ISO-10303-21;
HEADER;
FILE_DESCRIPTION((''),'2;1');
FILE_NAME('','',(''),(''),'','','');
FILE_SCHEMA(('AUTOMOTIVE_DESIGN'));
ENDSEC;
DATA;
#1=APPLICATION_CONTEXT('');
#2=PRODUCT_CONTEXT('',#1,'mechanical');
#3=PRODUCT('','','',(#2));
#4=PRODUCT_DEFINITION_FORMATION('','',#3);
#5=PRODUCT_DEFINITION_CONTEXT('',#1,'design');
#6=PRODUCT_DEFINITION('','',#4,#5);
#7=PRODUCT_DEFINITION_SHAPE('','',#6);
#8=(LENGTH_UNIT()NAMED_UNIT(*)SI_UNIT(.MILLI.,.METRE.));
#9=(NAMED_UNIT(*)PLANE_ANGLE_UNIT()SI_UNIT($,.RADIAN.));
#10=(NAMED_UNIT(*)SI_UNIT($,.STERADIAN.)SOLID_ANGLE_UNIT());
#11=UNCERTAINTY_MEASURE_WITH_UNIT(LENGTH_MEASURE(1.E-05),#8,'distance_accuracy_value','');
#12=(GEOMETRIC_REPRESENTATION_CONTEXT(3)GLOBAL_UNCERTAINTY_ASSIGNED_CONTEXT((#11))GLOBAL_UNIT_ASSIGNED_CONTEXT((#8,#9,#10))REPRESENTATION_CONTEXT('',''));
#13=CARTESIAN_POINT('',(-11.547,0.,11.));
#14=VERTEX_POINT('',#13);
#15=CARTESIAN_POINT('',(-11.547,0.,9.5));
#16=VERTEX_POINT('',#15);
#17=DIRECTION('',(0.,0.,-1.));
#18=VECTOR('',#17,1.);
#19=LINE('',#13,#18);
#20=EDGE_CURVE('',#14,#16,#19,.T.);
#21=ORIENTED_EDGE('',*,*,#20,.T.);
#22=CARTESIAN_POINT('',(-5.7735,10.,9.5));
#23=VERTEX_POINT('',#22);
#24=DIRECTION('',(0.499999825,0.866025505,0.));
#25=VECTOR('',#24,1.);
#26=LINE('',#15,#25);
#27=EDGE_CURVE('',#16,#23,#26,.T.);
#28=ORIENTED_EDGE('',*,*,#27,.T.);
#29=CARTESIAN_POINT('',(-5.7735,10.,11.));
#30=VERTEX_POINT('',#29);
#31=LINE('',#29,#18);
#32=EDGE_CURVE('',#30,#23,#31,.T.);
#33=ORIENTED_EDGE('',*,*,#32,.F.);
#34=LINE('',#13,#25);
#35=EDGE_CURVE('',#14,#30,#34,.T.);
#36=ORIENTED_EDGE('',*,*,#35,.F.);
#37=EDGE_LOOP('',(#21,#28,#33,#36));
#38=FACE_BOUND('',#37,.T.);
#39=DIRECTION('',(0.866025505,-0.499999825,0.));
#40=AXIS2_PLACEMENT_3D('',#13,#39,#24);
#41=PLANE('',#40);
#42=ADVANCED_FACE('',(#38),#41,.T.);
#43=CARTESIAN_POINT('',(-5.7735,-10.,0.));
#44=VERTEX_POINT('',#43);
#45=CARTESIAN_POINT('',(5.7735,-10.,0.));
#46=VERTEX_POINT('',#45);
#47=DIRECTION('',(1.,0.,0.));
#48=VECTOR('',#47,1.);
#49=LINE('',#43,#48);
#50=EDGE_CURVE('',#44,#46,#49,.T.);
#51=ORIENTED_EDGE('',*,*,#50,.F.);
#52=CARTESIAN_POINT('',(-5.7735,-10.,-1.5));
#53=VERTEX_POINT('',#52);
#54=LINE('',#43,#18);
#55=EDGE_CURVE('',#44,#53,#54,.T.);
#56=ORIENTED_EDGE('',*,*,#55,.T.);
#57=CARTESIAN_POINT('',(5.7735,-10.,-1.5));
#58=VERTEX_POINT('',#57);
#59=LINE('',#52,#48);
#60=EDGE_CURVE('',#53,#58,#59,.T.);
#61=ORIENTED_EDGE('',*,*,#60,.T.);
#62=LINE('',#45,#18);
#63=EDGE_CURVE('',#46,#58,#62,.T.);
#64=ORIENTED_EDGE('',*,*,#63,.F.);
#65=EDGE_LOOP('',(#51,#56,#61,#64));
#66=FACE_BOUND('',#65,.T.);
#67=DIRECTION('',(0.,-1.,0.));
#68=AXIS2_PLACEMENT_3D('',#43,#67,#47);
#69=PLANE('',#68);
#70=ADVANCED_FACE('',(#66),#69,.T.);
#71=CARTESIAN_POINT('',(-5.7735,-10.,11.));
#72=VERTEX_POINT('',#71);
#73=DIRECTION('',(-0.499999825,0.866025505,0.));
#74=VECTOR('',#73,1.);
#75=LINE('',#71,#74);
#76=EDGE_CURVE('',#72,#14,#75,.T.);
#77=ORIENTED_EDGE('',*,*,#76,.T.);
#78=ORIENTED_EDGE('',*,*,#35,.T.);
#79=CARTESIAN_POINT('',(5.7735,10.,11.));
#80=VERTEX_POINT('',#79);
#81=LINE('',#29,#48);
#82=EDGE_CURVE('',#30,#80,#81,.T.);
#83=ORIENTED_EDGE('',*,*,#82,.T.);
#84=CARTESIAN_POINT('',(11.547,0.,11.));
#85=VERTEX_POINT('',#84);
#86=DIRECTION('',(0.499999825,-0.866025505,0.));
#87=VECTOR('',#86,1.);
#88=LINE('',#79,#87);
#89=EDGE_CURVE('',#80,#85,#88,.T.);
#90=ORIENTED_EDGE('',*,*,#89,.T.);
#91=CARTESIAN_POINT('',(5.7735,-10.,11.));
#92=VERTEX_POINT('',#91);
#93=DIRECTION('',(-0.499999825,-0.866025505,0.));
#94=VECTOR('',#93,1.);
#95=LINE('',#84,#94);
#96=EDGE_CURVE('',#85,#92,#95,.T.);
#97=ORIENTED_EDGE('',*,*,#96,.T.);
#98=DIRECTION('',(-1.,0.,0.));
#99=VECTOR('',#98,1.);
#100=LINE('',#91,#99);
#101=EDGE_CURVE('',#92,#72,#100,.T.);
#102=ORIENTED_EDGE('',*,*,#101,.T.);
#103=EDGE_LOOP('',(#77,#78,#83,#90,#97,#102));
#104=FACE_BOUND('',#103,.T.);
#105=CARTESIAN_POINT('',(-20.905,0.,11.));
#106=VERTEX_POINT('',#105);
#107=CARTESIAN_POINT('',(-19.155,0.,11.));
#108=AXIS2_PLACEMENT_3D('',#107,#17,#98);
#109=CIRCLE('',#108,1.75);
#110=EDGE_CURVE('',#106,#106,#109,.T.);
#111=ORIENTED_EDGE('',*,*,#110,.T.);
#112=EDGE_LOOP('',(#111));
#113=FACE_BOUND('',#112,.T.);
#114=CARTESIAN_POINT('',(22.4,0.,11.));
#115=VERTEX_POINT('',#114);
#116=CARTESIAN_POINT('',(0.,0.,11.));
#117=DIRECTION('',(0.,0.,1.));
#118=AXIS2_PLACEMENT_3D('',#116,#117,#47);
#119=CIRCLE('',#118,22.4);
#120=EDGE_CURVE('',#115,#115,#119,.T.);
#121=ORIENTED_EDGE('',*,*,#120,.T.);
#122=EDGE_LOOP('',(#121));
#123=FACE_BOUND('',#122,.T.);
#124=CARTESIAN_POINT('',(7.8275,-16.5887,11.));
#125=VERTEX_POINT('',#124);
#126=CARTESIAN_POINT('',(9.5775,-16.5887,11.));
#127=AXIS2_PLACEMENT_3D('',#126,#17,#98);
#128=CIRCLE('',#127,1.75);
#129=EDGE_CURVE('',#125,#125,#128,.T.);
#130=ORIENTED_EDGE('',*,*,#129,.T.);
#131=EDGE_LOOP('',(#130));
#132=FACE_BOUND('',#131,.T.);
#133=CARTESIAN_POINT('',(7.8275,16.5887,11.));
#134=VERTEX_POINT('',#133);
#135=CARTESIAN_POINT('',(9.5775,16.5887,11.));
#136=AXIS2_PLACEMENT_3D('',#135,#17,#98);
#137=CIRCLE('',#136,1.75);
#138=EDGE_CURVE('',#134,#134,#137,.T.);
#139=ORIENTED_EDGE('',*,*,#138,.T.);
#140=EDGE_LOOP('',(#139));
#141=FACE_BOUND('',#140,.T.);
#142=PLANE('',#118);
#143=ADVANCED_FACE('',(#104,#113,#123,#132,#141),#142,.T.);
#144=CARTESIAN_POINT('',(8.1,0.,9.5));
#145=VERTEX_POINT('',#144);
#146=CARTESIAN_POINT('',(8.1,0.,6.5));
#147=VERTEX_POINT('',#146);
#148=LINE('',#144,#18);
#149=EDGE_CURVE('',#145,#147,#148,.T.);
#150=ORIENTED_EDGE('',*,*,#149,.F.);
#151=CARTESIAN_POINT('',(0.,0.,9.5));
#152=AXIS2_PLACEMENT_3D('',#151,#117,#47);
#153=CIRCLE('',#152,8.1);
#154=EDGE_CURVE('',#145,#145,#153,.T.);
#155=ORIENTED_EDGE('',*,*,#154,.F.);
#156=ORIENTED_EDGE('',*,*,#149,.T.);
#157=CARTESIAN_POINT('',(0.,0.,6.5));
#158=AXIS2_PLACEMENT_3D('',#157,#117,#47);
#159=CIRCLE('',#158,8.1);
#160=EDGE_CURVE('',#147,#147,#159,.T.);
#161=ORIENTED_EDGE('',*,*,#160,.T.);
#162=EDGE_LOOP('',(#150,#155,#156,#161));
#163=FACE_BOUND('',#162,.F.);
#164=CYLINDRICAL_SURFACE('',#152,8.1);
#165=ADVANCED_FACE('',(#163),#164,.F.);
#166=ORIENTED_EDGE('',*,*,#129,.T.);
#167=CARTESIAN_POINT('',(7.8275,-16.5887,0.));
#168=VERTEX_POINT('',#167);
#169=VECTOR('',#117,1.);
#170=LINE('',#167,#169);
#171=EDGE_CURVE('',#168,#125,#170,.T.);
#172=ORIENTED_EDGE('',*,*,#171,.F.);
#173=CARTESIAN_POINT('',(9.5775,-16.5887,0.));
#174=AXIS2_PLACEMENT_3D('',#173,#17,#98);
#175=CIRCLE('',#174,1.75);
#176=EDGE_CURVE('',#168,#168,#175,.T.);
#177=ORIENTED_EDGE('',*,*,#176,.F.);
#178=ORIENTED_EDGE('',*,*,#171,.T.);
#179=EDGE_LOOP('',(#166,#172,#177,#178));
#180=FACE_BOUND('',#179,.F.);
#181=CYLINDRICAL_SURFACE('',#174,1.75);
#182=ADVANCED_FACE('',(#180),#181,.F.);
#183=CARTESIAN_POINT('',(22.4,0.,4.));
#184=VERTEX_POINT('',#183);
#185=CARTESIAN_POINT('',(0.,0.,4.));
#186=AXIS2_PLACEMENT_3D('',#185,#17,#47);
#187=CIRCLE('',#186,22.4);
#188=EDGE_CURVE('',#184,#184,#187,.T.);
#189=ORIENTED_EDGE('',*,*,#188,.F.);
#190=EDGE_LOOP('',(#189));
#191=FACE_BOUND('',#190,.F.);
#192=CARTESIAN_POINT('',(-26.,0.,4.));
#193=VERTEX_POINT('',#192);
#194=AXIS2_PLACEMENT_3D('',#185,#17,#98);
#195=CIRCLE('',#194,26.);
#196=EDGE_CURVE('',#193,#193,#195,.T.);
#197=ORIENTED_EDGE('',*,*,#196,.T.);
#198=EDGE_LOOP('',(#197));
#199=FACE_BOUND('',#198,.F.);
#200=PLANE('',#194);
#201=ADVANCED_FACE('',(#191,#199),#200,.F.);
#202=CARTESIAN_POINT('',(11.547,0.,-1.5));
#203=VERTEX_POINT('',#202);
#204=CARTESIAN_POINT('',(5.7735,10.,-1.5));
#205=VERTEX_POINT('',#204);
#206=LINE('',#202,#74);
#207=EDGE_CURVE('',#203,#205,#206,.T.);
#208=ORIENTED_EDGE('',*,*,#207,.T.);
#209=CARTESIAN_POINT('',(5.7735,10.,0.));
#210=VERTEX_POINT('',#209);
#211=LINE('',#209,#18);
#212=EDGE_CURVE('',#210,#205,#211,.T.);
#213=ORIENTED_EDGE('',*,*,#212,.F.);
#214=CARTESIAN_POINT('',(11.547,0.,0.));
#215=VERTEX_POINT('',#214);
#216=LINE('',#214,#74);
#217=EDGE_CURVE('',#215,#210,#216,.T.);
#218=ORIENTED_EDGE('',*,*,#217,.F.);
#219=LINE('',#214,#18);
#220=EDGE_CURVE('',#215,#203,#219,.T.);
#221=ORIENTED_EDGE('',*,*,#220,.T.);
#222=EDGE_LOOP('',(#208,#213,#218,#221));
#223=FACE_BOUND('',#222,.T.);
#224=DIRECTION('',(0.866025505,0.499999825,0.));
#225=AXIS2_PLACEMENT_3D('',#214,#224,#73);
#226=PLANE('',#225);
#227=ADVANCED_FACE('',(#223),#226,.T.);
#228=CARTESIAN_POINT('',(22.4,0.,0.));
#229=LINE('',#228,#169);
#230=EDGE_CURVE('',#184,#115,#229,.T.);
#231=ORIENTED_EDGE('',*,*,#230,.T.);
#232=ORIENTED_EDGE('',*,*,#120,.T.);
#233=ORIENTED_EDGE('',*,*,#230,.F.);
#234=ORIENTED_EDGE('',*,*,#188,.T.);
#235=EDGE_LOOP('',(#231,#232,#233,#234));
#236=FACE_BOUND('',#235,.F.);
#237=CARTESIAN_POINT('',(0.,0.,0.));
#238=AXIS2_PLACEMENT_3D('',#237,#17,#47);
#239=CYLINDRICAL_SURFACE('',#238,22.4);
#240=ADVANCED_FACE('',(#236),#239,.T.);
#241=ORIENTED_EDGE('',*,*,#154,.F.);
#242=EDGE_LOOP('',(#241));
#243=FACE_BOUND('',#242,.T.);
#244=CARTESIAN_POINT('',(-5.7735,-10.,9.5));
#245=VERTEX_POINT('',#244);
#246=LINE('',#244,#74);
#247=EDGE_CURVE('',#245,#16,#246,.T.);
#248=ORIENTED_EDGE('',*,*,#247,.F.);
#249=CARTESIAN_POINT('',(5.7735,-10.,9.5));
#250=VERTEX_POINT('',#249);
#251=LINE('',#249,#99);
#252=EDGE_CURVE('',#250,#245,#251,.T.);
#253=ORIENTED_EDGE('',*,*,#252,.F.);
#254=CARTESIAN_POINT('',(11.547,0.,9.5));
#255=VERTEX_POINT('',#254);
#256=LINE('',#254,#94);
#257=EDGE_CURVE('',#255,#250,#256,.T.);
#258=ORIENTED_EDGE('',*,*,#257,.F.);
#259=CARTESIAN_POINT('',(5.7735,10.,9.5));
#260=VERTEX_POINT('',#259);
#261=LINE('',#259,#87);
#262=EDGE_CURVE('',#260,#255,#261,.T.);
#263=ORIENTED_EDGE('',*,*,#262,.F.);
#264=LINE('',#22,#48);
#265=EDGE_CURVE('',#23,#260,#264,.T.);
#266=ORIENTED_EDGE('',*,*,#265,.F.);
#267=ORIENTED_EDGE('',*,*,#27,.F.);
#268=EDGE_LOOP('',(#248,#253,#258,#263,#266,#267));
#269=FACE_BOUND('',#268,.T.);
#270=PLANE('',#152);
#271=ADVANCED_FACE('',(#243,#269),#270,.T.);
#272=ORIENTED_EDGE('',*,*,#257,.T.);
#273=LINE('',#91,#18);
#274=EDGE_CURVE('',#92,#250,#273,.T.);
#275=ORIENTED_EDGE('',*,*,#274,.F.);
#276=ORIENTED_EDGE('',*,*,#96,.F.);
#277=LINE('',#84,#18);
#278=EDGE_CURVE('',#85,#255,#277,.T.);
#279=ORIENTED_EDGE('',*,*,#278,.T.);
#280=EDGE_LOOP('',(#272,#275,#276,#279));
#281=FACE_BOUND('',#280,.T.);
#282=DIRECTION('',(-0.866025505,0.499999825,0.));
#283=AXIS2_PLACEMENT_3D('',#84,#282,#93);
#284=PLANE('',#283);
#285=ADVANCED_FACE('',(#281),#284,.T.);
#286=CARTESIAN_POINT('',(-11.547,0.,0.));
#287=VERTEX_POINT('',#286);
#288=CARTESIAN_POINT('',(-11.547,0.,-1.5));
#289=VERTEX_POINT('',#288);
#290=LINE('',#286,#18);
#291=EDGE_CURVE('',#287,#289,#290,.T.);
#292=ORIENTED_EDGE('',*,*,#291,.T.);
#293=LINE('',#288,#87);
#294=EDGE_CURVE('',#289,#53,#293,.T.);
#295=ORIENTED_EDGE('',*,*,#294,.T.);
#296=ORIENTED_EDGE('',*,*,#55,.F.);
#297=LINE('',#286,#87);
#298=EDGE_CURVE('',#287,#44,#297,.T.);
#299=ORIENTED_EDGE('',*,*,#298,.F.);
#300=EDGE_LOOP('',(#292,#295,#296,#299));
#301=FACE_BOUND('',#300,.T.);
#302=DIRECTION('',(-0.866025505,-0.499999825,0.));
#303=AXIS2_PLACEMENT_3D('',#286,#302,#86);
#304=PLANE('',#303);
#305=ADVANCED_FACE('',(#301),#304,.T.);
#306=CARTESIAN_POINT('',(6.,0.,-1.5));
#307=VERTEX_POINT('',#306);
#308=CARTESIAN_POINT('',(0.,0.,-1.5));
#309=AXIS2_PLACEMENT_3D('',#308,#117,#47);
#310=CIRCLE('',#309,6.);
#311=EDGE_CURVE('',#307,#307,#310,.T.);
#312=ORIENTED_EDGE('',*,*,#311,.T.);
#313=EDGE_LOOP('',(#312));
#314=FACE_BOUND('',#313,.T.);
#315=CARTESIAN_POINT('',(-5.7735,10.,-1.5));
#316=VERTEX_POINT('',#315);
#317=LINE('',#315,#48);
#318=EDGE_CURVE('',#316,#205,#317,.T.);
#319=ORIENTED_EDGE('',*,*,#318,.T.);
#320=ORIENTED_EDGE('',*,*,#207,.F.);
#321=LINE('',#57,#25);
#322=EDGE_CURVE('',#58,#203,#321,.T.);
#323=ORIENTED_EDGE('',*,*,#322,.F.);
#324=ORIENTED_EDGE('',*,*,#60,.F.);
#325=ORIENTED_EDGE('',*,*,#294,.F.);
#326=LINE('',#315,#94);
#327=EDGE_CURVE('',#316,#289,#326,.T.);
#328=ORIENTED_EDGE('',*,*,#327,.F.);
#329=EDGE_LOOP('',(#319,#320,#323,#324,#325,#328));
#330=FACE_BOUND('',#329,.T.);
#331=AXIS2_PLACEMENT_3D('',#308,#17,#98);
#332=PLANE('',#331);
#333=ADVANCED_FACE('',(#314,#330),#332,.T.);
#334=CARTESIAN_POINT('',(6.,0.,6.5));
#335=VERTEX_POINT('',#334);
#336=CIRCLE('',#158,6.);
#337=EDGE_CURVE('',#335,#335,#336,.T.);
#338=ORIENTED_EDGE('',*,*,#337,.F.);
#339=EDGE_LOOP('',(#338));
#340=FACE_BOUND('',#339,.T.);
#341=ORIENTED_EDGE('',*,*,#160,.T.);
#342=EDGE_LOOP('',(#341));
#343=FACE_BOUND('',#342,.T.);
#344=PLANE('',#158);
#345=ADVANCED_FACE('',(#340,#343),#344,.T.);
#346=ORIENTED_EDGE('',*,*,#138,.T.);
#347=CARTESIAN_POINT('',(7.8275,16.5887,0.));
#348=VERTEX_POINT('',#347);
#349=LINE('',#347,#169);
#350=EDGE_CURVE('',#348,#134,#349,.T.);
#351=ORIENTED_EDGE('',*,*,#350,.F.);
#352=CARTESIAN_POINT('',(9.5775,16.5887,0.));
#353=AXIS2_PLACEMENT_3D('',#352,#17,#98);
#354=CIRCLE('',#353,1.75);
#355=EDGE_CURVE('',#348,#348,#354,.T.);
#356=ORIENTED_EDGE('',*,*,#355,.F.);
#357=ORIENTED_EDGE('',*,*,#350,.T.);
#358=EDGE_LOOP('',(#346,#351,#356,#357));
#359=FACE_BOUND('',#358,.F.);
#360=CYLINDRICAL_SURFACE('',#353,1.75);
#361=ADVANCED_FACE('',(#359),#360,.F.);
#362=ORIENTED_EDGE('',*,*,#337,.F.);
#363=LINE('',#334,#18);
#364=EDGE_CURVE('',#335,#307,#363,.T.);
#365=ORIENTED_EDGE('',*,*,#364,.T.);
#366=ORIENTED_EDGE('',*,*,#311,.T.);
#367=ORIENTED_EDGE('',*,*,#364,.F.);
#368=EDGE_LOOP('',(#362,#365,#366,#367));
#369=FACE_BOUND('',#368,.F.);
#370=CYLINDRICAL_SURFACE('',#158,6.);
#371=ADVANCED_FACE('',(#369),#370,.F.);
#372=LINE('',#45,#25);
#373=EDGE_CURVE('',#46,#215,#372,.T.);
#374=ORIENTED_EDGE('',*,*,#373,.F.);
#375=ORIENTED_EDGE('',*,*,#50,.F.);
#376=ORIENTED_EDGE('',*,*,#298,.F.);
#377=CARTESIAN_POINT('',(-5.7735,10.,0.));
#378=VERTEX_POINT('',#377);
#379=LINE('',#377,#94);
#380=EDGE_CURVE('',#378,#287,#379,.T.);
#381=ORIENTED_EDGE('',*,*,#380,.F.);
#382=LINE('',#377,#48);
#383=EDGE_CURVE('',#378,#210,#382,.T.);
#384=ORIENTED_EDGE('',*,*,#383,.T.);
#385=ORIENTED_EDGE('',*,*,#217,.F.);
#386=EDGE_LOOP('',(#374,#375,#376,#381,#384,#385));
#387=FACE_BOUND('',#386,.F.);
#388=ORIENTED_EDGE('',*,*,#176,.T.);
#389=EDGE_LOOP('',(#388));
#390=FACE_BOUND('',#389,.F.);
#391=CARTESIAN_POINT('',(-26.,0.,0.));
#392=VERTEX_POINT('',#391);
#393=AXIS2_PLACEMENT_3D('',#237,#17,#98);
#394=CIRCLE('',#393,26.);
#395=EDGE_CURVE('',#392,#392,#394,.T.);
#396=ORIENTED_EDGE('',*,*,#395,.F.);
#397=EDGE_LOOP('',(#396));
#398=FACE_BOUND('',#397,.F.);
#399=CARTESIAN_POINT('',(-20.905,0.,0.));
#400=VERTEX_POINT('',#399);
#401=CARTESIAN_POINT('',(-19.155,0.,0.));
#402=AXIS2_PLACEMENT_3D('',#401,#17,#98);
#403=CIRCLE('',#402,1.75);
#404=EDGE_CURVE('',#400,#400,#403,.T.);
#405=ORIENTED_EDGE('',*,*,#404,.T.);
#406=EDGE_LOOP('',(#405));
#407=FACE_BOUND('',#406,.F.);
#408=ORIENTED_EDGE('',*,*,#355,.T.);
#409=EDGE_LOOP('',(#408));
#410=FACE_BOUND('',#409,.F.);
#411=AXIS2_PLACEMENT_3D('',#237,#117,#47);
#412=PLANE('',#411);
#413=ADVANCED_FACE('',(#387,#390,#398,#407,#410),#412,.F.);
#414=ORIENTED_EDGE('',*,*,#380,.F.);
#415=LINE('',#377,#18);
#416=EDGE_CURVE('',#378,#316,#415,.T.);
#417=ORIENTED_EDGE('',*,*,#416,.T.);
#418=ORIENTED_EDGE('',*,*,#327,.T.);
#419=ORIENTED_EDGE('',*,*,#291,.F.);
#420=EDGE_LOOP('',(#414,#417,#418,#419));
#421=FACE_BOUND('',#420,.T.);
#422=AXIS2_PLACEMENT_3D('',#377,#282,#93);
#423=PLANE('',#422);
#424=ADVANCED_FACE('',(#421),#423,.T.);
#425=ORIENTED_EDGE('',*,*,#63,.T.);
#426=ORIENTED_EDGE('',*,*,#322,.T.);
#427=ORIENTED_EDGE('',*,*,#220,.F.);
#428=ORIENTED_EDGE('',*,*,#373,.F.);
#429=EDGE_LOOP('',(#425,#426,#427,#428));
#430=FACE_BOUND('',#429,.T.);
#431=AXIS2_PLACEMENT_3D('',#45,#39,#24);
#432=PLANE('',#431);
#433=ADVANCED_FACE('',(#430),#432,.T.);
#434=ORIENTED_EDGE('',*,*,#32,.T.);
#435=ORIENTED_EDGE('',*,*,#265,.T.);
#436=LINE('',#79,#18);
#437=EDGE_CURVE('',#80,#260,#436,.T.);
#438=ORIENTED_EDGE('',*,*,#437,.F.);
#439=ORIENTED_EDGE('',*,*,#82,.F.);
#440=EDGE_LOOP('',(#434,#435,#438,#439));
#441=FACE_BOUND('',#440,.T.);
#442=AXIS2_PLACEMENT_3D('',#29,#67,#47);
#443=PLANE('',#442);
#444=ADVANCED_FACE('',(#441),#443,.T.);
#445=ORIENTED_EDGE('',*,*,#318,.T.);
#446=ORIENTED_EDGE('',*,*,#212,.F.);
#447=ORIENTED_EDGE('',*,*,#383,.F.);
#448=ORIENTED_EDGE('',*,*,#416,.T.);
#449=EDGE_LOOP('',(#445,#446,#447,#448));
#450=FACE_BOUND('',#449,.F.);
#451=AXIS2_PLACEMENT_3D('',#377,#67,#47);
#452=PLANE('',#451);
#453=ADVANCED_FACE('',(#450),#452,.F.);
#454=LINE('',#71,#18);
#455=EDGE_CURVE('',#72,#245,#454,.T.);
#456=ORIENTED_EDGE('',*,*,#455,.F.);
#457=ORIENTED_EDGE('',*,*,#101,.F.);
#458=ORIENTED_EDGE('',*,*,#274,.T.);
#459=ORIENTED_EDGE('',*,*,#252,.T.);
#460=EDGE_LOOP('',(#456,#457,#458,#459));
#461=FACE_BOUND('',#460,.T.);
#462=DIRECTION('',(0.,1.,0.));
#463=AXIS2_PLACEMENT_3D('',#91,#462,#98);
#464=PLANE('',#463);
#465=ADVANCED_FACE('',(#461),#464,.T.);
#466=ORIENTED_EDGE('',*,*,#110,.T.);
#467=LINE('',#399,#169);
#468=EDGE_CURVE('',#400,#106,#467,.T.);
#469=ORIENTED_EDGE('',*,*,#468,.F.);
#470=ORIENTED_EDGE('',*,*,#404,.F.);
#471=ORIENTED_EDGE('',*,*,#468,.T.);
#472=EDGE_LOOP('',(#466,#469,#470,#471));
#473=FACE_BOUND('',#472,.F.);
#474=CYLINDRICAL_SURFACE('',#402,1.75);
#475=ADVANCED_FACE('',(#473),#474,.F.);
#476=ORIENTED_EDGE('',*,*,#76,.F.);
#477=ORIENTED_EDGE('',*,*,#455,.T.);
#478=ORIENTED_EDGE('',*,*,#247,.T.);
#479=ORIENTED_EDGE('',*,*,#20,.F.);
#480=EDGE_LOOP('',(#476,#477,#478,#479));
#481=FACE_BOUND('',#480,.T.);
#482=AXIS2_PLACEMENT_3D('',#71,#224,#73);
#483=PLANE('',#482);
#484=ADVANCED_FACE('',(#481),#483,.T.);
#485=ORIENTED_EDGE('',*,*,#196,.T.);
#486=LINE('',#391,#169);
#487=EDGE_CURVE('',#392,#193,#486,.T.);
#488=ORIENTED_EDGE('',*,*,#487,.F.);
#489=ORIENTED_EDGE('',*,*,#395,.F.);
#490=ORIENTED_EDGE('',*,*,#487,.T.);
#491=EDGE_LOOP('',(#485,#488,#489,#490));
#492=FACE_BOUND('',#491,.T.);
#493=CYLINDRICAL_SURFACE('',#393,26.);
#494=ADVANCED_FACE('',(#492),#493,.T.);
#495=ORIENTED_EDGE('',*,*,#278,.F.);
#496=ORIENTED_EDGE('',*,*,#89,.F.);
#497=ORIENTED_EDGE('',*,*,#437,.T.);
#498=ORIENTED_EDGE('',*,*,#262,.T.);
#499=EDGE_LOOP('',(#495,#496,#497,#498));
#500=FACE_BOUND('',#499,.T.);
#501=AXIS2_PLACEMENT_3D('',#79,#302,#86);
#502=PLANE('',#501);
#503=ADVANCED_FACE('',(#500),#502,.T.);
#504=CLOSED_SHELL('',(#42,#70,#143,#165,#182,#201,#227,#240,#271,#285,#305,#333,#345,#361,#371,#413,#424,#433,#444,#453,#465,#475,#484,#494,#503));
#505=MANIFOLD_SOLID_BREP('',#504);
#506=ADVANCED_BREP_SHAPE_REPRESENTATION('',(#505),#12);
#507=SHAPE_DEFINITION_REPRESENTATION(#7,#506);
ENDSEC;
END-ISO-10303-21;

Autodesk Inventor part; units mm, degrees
ref_plane "YZ Plane" through (0, 0, 0) normal (1, 0, 0) x (0, 1, 0)
ref_plane "XZ Plane" through (0, 0, 0) normal (0, 1, 0) x (-1, 0, 0)
sketch "Sketch1" plane through (0, 0, 0) normal (0, 0, 1) x (1, 0, 0)
  circle A0 centre (0, 0) radius 22.4
  dimension "d0" = 44.8
extrude "Extrusion1" add sketch "Sketch1" along normal blind 11
sketch "Sketch8" plane through (0, 0, 0) normal (0, 0, -1) x (-1, 0, 0)
  circle A0 centre (0, 0) radius 26
  dimension "d23" = 52
extrude "Extrusion7" add sketch "Sketch8" against normal blind 4
sketch "Sketch2" plane through (0, 0, 0) normal (0, 0, -1) x (-1, 0, 0)
  circle A0 centre (19.155, 0) radius 1.75
  circle A1 centre (-9.5775, 16.5887) radius 1.75
  circle A2 centre (-9.5775, -16.5887) radius 1.75
  point P0 (0, 0)
  dimension "d3" = 3.5
  dimension "d4" = 19.155
  dimension "d7" = 360
extrude "Extrusion2" cut sketch "Sketch2" against normal through all
sketch "Sketch3" plane through (0, 0, 11) normal (0, 0, 1) x (1, 0, 0)
  circle A0 centre (0, 0) radius 6
  dimension "d11" = 12
extrude "Extrusion3" cut sketch "Sketch3" against normal blind 2
sketch "Sketch4" plane through (0, 0, 11) normal (0, 0, 1) x (1, 0, 0)
  circle A0 centre (0, 0) radius 6 projected
  line L0 (11.547, 0) -> (5.7735, -10)
  line L1 (5.7735, -10) -> (-5.7735, -10)
  line L2 (-5.7735, -10) -> (-11.547, 0)
  line L3 (-11.547, 0) -> (-5.7735, 10)
  line L4 (-5.7735, 10) -> (5.7735, 10)
  line L5 (5.7735, 10) -> (11.547, 0)
  circle A1 centre (0, 0) radius 6
  dimension "d14" = 10
extrude "Extrusion4" cut sketch "Sketch4" against normal blind 1.5
sketch "Sketch5" plane through (0, 0, 0) normal (0, 0, -1) x (-1, 0, 0)
  line L0 (5.7735, 10) -> (-5.7735, 10) projected
  line L1 (-5.7735, 10) -> (5.7735, 10)
  line L2 (5.7735, 10) -> (11.547, 0)
  line L3 (11.547, 0) -> (5.7735, -10)
  line L4 (5.7735, -10) -> (-5.7735, -10)
  line L5 (-5.7735, -10) -> (-11.547, 0)
  line L6 (-11.547, 0) -> (-5.7735, 10)
  point P0 (0, 0)
  point P1 (0, 0)
extrude "Extrusion5" add sketch "Sketch5" along normal blind 1.5
ref_plane "Work Plane1" through (0, 0, 4.5) normal (0, 0, 1) x (1, 0, 0)
sketch "Sketch6" plane through (0, 0, 4.5) normal (0, 0, 1) x (1, 0, 0)
  circle A0 centre (0, 0) radius 22.6071
  circle A1 centre (0, 0) radius 21.1
  dimension "d20" = 42.2
extrude "Extrusion6" [suppressed]
sketch "Sketch7" plane through (0, 0, 0) normal (0, 0, -1) x (-1, 0, 0)
  point P0 (0, 0)
sketch "Sketch9" plane through (0, 0, 9.5) normal (0, 0, 1) x (1, 0, 0)
  circle A0 centre (0, 0) radius 6 projected
  circle A1 centre (0, 0) radius 8.1
  dimension "d26" = 16.2
extrude "Extrusion8" cut sketch "Sketch9" against normal blind 3 contours A0 | A1
sketch "Sketch10" plane through (0, 0, 6.5) normal (0, 0, 1) x (1, 0, 0)
  circle A0 centre (0, 0) radius 6
  dimension "d29" = 12
extrude "Extrusion9" cut sketch "Sketch10" against normal through all
properties part number "Planet Carrier 2"
